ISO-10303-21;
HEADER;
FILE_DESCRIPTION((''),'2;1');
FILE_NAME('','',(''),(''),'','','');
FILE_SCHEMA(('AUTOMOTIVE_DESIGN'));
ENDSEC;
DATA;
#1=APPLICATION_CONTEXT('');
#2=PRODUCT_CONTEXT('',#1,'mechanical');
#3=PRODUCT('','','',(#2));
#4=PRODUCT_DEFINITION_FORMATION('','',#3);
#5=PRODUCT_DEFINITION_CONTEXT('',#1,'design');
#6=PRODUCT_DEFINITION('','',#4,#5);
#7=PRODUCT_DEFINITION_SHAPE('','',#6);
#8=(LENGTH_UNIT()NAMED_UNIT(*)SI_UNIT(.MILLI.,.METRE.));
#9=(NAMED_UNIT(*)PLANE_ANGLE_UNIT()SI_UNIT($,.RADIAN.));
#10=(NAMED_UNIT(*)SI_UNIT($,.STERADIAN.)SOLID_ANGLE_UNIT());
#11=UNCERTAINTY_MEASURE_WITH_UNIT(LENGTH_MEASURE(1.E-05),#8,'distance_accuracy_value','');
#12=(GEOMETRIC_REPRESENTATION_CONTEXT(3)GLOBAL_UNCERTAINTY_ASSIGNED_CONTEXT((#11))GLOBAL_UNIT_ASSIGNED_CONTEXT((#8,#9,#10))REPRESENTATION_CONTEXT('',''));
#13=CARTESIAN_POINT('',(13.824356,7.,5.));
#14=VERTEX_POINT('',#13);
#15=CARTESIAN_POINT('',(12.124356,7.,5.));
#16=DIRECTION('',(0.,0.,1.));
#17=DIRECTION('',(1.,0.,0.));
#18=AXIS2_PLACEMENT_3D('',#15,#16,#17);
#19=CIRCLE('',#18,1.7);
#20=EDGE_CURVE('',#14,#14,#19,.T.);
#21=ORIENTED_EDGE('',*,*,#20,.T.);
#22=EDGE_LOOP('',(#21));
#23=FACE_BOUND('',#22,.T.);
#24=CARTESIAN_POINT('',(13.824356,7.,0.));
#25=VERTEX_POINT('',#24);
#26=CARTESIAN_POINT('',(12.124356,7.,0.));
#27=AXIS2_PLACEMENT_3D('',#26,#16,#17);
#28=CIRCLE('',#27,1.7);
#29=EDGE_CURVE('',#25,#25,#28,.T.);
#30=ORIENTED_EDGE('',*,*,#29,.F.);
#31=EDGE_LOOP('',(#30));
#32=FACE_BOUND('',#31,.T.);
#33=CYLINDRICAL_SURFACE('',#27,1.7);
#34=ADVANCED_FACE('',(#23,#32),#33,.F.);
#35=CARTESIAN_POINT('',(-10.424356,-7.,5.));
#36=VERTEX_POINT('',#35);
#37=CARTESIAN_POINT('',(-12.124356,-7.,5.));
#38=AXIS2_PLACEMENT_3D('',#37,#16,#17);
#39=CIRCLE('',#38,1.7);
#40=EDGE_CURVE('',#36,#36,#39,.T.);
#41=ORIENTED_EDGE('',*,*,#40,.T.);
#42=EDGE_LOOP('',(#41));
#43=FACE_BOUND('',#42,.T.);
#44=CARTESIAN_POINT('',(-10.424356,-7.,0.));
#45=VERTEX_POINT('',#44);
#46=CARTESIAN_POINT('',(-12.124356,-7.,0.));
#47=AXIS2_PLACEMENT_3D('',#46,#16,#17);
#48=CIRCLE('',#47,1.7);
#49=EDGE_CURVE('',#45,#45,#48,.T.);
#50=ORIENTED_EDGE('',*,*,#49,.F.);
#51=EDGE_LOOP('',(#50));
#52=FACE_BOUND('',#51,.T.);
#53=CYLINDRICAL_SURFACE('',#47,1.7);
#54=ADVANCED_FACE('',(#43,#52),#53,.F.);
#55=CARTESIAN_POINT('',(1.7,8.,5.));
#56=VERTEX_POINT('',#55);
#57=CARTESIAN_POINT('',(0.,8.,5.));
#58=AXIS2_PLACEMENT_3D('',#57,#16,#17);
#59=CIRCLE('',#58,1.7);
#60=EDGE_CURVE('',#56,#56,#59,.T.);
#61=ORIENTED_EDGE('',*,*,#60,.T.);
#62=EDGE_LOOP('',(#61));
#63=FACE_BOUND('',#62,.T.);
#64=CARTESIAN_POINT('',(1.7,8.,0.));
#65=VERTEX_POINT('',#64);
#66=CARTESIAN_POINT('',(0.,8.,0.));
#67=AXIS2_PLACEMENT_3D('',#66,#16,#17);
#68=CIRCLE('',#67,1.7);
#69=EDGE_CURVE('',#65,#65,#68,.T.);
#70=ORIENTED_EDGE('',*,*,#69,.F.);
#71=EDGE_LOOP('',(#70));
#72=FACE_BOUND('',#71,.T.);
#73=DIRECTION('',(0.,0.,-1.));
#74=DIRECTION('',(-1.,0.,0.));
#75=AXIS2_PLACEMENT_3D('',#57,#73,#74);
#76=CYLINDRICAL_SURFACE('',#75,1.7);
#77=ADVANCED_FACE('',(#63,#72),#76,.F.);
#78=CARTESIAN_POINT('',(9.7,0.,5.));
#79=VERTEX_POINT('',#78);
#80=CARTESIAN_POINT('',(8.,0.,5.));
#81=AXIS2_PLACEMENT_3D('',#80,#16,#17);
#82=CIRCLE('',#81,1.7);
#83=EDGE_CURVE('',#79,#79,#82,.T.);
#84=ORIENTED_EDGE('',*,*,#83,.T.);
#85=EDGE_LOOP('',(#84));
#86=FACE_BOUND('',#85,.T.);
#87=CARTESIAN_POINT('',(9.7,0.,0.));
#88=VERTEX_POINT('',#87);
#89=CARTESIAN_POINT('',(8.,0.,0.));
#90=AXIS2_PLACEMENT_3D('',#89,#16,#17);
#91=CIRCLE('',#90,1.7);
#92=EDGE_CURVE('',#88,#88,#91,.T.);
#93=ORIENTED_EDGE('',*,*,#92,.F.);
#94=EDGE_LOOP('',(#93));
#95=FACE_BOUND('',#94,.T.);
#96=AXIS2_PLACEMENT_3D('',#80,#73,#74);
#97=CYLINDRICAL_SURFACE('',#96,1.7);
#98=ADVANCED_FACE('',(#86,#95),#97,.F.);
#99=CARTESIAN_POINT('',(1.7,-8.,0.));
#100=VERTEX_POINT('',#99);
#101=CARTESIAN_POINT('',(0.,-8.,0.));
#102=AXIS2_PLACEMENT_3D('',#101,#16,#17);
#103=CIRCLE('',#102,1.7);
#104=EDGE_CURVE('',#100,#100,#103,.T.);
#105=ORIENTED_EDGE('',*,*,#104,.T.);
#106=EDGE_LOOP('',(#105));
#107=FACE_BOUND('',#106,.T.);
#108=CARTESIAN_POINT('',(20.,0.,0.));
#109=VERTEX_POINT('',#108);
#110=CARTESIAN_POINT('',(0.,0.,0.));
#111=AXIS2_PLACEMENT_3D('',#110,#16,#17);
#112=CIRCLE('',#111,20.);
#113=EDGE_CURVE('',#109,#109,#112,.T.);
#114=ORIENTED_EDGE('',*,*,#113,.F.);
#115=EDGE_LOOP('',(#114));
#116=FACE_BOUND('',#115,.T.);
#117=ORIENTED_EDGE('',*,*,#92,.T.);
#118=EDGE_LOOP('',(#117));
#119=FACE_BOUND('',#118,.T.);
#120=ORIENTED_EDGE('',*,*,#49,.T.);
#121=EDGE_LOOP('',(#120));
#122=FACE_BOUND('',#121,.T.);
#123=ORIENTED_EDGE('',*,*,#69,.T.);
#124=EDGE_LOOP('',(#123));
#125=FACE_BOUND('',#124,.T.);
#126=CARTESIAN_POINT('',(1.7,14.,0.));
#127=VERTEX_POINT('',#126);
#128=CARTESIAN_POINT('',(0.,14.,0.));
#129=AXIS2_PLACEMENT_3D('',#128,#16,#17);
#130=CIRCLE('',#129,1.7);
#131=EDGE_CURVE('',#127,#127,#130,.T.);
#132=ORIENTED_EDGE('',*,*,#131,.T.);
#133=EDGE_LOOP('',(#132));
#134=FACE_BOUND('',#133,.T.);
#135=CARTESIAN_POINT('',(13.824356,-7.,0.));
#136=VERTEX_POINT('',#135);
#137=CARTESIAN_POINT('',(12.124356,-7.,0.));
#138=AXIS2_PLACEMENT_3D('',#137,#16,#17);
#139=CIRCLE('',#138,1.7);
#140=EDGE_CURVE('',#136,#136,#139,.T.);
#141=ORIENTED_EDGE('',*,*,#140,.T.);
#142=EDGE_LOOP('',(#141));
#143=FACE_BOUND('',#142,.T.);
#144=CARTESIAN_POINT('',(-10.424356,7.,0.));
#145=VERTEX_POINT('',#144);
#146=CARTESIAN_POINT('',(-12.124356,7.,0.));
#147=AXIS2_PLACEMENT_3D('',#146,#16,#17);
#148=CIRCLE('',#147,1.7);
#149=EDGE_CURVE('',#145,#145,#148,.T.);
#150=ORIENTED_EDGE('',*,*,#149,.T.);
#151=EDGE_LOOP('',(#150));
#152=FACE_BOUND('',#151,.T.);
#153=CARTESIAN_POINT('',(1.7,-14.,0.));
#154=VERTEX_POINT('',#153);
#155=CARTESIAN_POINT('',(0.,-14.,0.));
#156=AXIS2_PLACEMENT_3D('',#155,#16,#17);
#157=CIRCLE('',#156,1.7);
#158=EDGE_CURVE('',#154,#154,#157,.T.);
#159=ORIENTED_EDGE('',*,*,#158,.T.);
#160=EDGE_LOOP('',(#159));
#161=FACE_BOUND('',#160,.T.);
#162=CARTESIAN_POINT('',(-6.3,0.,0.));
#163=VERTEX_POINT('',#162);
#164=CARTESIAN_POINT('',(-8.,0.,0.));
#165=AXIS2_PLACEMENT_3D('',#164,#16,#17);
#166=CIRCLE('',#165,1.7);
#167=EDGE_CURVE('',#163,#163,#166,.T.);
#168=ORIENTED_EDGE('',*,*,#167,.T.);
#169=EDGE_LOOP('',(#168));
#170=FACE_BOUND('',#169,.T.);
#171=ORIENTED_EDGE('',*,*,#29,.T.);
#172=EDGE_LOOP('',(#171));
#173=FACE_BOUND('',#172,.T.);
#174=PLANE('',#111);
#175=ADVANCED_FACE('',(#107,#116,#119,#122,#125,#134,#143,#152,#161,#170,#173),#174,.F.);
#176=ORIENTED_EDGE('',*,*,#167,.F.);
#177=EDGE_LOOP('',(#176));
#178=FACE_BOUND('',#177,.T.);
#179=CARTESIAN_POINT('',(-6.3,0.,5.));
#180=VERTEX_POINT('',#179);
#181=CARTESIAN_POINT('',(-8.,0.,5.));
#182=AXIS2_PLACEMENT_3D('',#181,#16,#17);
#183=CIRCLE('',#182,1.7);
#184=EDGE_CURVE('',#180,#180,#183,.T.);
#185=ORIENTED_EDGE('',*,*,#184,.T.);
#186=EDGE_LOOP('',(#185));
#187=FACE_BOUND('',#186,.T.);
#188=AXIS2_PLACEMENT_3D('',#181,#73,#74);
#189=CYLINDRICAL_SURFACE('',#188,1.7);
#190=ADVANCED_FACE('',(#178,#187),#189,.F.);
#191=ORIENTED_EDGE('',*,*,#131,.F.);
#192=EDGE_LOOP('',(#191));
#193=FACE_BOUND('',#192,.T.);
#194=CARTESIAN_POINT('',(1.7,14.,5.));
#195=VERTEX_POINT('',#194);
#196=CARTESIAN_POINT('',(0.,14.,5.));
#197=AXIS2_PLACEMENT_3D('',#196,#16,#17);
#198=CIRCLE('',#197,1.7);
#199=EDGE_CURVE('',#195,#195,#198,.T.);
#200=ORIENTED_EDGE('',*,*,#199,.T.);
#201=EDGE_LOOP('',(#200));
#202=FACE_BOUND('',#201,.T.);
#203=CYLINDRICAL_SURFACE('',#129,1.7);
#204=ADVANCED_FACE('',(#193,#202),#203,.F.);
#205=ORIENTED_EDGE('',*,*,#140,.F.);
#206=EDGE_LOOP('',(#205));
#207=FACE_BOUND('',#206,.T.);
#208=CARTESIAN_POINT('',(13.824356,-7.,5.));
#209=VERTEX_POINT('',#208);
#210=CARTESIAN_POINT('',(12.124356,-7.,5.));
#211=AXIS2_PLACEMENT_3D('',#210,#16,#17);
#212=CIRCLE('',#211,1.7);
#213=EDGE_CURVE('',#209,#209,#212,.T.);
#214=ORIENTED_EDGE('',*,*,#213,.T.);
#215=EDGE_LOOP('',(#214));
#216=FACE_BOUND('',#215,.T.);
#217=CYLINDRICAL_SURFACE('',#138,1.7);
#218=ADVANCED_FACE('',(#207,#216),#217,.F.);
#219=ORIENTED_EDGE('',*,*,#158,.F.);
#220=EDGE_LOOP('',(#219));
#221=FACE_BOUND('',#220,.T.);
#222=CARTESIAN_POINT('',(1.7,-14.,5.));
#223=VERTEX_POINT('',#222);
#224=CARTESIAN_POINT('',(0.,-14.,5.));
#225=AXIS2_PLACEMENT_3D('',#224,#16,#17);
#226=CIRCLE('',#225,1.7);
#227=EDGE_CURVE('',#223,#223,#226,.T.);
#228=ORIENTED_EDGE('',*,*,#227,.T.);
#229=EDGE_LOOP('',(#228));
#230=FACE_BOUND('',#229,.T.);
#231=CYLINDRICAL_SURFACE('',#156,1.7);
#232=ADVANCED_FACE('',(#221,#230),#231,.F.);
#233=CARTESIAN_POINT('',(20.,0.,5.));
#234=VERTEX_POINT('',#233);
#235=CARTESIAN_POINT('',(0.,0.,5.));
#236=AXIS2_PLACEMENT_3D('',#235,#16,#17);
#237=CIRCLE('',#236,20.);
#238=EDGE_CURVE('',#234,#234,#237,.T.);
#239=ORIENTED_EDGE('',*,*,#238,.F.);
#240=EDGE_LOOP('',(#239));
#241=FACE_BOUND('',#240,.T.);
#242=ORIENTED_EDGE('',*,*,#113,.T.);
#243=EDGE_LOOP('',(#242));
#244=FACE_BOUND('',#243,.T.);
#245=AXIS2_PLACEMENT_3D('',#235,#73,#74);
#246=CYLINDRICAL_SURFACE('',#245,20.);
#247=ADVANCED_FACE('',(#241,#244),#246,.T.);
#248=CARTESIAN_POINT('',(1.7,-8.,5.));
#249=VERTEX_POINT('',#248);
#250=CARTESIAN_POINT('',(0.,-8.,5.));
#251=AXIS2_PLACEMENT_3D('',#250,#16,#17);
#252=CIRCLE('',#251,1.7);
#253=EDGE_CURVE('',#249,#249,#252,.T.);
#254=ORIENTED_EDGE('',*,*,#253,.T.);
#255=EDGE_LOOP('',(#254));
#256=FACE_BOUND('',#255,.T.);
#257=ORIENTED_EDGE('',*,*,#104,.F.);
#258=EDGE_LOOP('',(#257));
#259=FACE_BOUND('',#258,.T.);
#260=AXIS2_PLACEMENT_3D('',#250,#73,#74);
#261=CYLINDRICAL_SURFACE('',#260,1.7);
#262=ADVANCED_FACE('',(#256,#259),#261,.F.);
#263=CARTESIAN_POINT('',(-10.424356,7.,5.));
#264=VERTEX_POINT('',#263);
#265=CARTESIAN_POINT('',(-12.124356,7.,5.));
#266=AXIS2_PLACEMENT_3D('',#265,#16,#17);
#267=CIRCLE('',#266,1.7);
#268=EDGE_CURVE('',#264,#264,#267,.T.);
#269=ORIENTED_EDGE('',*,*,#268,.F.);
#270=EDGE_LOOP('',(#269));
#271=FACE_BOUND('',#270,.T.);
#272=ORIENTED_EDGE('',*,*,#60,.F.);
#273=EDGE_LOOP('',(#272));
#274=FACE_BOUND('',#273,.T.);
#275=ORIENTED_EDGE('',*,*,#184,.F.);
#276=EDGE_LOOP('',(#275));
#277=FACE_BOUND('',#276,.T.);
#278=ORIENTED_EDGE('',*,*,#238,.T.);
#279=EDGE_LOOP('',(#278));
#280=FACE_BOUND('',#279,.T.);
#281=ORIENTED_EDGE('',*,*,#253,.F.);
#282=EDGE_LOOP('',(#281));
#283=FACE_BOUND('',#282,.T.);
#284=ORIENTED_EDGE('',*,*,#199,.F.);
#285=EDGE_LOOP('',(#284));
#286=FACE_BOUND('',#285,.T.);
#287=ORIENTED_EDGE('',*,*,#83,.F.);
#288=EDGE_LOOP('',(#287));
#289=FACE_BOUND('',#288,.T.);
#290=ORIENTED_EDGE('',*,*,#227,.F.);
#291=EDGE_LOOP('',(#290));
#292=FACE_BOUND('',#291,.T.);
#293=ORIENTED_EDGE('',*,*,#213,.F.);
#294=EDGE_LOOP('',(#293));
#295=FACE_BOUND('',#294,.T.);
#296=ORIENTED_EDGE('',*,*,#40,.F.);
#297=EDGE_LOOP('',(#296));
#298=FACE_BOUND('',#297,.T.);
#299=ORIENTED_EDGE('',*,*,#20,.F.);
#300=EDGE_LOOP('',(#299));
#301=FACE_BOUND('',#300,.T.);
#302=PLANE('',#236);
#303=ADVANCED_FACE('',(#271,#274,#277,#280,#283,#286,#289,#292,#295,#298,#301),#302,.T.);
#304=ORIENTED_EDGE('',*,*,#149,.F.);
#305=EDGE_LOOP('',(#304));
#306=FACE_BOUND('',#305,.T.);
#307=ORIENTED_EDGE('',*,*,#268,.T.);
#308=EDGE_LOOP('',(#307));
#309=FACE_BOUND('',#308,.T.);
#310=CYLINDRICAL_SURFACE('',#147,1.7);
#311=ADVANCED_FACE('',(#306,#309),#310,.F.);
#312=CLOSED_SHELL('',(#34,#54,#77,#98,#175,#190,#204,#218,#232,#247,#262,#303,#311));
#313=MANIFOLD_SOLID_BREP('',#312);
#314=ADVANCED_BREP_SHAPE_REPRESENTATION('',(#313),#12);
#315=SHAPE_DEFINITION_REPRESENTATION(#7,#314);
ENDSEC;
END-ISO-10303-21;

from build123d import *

# Parameters (mm, degrees)
SKETCH_1_R          = 20
SKETCH_1_R_2        = 1.7
EXTRUDE_1_DEPTH     = 5
SKETCH_2_R          = 1.7
CUT_EXTRUDE_1_DEPTH = 5


with BuildPart() as part:
    # 草图1 → 凸台-拉伸1 (new body)
    with BuildSketch(Plane.XY):
        Circle(SKETCH_1_R)
        with Locations((0, 8)):
            Circle(SKETCH_1_R_2, mode=Mode.SUBTRACT)
        with Locations((8, 0)):
            Circle(SKETCH_1_R_2, mode=Mode.SUBTRACT)
        with Locations((0, -8)):
            Circle(SKETCH_1_R_2, mode=Mode.SUBTRACT)
        with Locations((-8, 0)):
            Circle(SKETCH_1_R_2, mode=Mode.SUBTRACT)
    extrude(amount=EXTRUDE_1_DEPTH)

    # 草图2 → 切除-拉伸1 (cut)
    with BuildSketch(Plane.XY.offset(5)):
        with Locations((0, 14)):
            Circle(SKETCH_2_R)
        with Locations((12.124355653, 7)):
            Circle(SKETCH_2_R)
        with Locations((12.124355653, -7)):
            Circle(SKETCH_2_R)
        with Locations((0, -14)):
            Circle(SKETCH_2_R)
        with Locations((-12.124355653, -7)):
            Circle(SKETCH_2_R)
        with Locations((-12.124355653, 7)):
            Circle(SKETCH_2_R)
    extrude(amount=-CUT_EXTRUDE_1_DEPTH, mode=Mode.SUBTRACT)


solid = part.part
